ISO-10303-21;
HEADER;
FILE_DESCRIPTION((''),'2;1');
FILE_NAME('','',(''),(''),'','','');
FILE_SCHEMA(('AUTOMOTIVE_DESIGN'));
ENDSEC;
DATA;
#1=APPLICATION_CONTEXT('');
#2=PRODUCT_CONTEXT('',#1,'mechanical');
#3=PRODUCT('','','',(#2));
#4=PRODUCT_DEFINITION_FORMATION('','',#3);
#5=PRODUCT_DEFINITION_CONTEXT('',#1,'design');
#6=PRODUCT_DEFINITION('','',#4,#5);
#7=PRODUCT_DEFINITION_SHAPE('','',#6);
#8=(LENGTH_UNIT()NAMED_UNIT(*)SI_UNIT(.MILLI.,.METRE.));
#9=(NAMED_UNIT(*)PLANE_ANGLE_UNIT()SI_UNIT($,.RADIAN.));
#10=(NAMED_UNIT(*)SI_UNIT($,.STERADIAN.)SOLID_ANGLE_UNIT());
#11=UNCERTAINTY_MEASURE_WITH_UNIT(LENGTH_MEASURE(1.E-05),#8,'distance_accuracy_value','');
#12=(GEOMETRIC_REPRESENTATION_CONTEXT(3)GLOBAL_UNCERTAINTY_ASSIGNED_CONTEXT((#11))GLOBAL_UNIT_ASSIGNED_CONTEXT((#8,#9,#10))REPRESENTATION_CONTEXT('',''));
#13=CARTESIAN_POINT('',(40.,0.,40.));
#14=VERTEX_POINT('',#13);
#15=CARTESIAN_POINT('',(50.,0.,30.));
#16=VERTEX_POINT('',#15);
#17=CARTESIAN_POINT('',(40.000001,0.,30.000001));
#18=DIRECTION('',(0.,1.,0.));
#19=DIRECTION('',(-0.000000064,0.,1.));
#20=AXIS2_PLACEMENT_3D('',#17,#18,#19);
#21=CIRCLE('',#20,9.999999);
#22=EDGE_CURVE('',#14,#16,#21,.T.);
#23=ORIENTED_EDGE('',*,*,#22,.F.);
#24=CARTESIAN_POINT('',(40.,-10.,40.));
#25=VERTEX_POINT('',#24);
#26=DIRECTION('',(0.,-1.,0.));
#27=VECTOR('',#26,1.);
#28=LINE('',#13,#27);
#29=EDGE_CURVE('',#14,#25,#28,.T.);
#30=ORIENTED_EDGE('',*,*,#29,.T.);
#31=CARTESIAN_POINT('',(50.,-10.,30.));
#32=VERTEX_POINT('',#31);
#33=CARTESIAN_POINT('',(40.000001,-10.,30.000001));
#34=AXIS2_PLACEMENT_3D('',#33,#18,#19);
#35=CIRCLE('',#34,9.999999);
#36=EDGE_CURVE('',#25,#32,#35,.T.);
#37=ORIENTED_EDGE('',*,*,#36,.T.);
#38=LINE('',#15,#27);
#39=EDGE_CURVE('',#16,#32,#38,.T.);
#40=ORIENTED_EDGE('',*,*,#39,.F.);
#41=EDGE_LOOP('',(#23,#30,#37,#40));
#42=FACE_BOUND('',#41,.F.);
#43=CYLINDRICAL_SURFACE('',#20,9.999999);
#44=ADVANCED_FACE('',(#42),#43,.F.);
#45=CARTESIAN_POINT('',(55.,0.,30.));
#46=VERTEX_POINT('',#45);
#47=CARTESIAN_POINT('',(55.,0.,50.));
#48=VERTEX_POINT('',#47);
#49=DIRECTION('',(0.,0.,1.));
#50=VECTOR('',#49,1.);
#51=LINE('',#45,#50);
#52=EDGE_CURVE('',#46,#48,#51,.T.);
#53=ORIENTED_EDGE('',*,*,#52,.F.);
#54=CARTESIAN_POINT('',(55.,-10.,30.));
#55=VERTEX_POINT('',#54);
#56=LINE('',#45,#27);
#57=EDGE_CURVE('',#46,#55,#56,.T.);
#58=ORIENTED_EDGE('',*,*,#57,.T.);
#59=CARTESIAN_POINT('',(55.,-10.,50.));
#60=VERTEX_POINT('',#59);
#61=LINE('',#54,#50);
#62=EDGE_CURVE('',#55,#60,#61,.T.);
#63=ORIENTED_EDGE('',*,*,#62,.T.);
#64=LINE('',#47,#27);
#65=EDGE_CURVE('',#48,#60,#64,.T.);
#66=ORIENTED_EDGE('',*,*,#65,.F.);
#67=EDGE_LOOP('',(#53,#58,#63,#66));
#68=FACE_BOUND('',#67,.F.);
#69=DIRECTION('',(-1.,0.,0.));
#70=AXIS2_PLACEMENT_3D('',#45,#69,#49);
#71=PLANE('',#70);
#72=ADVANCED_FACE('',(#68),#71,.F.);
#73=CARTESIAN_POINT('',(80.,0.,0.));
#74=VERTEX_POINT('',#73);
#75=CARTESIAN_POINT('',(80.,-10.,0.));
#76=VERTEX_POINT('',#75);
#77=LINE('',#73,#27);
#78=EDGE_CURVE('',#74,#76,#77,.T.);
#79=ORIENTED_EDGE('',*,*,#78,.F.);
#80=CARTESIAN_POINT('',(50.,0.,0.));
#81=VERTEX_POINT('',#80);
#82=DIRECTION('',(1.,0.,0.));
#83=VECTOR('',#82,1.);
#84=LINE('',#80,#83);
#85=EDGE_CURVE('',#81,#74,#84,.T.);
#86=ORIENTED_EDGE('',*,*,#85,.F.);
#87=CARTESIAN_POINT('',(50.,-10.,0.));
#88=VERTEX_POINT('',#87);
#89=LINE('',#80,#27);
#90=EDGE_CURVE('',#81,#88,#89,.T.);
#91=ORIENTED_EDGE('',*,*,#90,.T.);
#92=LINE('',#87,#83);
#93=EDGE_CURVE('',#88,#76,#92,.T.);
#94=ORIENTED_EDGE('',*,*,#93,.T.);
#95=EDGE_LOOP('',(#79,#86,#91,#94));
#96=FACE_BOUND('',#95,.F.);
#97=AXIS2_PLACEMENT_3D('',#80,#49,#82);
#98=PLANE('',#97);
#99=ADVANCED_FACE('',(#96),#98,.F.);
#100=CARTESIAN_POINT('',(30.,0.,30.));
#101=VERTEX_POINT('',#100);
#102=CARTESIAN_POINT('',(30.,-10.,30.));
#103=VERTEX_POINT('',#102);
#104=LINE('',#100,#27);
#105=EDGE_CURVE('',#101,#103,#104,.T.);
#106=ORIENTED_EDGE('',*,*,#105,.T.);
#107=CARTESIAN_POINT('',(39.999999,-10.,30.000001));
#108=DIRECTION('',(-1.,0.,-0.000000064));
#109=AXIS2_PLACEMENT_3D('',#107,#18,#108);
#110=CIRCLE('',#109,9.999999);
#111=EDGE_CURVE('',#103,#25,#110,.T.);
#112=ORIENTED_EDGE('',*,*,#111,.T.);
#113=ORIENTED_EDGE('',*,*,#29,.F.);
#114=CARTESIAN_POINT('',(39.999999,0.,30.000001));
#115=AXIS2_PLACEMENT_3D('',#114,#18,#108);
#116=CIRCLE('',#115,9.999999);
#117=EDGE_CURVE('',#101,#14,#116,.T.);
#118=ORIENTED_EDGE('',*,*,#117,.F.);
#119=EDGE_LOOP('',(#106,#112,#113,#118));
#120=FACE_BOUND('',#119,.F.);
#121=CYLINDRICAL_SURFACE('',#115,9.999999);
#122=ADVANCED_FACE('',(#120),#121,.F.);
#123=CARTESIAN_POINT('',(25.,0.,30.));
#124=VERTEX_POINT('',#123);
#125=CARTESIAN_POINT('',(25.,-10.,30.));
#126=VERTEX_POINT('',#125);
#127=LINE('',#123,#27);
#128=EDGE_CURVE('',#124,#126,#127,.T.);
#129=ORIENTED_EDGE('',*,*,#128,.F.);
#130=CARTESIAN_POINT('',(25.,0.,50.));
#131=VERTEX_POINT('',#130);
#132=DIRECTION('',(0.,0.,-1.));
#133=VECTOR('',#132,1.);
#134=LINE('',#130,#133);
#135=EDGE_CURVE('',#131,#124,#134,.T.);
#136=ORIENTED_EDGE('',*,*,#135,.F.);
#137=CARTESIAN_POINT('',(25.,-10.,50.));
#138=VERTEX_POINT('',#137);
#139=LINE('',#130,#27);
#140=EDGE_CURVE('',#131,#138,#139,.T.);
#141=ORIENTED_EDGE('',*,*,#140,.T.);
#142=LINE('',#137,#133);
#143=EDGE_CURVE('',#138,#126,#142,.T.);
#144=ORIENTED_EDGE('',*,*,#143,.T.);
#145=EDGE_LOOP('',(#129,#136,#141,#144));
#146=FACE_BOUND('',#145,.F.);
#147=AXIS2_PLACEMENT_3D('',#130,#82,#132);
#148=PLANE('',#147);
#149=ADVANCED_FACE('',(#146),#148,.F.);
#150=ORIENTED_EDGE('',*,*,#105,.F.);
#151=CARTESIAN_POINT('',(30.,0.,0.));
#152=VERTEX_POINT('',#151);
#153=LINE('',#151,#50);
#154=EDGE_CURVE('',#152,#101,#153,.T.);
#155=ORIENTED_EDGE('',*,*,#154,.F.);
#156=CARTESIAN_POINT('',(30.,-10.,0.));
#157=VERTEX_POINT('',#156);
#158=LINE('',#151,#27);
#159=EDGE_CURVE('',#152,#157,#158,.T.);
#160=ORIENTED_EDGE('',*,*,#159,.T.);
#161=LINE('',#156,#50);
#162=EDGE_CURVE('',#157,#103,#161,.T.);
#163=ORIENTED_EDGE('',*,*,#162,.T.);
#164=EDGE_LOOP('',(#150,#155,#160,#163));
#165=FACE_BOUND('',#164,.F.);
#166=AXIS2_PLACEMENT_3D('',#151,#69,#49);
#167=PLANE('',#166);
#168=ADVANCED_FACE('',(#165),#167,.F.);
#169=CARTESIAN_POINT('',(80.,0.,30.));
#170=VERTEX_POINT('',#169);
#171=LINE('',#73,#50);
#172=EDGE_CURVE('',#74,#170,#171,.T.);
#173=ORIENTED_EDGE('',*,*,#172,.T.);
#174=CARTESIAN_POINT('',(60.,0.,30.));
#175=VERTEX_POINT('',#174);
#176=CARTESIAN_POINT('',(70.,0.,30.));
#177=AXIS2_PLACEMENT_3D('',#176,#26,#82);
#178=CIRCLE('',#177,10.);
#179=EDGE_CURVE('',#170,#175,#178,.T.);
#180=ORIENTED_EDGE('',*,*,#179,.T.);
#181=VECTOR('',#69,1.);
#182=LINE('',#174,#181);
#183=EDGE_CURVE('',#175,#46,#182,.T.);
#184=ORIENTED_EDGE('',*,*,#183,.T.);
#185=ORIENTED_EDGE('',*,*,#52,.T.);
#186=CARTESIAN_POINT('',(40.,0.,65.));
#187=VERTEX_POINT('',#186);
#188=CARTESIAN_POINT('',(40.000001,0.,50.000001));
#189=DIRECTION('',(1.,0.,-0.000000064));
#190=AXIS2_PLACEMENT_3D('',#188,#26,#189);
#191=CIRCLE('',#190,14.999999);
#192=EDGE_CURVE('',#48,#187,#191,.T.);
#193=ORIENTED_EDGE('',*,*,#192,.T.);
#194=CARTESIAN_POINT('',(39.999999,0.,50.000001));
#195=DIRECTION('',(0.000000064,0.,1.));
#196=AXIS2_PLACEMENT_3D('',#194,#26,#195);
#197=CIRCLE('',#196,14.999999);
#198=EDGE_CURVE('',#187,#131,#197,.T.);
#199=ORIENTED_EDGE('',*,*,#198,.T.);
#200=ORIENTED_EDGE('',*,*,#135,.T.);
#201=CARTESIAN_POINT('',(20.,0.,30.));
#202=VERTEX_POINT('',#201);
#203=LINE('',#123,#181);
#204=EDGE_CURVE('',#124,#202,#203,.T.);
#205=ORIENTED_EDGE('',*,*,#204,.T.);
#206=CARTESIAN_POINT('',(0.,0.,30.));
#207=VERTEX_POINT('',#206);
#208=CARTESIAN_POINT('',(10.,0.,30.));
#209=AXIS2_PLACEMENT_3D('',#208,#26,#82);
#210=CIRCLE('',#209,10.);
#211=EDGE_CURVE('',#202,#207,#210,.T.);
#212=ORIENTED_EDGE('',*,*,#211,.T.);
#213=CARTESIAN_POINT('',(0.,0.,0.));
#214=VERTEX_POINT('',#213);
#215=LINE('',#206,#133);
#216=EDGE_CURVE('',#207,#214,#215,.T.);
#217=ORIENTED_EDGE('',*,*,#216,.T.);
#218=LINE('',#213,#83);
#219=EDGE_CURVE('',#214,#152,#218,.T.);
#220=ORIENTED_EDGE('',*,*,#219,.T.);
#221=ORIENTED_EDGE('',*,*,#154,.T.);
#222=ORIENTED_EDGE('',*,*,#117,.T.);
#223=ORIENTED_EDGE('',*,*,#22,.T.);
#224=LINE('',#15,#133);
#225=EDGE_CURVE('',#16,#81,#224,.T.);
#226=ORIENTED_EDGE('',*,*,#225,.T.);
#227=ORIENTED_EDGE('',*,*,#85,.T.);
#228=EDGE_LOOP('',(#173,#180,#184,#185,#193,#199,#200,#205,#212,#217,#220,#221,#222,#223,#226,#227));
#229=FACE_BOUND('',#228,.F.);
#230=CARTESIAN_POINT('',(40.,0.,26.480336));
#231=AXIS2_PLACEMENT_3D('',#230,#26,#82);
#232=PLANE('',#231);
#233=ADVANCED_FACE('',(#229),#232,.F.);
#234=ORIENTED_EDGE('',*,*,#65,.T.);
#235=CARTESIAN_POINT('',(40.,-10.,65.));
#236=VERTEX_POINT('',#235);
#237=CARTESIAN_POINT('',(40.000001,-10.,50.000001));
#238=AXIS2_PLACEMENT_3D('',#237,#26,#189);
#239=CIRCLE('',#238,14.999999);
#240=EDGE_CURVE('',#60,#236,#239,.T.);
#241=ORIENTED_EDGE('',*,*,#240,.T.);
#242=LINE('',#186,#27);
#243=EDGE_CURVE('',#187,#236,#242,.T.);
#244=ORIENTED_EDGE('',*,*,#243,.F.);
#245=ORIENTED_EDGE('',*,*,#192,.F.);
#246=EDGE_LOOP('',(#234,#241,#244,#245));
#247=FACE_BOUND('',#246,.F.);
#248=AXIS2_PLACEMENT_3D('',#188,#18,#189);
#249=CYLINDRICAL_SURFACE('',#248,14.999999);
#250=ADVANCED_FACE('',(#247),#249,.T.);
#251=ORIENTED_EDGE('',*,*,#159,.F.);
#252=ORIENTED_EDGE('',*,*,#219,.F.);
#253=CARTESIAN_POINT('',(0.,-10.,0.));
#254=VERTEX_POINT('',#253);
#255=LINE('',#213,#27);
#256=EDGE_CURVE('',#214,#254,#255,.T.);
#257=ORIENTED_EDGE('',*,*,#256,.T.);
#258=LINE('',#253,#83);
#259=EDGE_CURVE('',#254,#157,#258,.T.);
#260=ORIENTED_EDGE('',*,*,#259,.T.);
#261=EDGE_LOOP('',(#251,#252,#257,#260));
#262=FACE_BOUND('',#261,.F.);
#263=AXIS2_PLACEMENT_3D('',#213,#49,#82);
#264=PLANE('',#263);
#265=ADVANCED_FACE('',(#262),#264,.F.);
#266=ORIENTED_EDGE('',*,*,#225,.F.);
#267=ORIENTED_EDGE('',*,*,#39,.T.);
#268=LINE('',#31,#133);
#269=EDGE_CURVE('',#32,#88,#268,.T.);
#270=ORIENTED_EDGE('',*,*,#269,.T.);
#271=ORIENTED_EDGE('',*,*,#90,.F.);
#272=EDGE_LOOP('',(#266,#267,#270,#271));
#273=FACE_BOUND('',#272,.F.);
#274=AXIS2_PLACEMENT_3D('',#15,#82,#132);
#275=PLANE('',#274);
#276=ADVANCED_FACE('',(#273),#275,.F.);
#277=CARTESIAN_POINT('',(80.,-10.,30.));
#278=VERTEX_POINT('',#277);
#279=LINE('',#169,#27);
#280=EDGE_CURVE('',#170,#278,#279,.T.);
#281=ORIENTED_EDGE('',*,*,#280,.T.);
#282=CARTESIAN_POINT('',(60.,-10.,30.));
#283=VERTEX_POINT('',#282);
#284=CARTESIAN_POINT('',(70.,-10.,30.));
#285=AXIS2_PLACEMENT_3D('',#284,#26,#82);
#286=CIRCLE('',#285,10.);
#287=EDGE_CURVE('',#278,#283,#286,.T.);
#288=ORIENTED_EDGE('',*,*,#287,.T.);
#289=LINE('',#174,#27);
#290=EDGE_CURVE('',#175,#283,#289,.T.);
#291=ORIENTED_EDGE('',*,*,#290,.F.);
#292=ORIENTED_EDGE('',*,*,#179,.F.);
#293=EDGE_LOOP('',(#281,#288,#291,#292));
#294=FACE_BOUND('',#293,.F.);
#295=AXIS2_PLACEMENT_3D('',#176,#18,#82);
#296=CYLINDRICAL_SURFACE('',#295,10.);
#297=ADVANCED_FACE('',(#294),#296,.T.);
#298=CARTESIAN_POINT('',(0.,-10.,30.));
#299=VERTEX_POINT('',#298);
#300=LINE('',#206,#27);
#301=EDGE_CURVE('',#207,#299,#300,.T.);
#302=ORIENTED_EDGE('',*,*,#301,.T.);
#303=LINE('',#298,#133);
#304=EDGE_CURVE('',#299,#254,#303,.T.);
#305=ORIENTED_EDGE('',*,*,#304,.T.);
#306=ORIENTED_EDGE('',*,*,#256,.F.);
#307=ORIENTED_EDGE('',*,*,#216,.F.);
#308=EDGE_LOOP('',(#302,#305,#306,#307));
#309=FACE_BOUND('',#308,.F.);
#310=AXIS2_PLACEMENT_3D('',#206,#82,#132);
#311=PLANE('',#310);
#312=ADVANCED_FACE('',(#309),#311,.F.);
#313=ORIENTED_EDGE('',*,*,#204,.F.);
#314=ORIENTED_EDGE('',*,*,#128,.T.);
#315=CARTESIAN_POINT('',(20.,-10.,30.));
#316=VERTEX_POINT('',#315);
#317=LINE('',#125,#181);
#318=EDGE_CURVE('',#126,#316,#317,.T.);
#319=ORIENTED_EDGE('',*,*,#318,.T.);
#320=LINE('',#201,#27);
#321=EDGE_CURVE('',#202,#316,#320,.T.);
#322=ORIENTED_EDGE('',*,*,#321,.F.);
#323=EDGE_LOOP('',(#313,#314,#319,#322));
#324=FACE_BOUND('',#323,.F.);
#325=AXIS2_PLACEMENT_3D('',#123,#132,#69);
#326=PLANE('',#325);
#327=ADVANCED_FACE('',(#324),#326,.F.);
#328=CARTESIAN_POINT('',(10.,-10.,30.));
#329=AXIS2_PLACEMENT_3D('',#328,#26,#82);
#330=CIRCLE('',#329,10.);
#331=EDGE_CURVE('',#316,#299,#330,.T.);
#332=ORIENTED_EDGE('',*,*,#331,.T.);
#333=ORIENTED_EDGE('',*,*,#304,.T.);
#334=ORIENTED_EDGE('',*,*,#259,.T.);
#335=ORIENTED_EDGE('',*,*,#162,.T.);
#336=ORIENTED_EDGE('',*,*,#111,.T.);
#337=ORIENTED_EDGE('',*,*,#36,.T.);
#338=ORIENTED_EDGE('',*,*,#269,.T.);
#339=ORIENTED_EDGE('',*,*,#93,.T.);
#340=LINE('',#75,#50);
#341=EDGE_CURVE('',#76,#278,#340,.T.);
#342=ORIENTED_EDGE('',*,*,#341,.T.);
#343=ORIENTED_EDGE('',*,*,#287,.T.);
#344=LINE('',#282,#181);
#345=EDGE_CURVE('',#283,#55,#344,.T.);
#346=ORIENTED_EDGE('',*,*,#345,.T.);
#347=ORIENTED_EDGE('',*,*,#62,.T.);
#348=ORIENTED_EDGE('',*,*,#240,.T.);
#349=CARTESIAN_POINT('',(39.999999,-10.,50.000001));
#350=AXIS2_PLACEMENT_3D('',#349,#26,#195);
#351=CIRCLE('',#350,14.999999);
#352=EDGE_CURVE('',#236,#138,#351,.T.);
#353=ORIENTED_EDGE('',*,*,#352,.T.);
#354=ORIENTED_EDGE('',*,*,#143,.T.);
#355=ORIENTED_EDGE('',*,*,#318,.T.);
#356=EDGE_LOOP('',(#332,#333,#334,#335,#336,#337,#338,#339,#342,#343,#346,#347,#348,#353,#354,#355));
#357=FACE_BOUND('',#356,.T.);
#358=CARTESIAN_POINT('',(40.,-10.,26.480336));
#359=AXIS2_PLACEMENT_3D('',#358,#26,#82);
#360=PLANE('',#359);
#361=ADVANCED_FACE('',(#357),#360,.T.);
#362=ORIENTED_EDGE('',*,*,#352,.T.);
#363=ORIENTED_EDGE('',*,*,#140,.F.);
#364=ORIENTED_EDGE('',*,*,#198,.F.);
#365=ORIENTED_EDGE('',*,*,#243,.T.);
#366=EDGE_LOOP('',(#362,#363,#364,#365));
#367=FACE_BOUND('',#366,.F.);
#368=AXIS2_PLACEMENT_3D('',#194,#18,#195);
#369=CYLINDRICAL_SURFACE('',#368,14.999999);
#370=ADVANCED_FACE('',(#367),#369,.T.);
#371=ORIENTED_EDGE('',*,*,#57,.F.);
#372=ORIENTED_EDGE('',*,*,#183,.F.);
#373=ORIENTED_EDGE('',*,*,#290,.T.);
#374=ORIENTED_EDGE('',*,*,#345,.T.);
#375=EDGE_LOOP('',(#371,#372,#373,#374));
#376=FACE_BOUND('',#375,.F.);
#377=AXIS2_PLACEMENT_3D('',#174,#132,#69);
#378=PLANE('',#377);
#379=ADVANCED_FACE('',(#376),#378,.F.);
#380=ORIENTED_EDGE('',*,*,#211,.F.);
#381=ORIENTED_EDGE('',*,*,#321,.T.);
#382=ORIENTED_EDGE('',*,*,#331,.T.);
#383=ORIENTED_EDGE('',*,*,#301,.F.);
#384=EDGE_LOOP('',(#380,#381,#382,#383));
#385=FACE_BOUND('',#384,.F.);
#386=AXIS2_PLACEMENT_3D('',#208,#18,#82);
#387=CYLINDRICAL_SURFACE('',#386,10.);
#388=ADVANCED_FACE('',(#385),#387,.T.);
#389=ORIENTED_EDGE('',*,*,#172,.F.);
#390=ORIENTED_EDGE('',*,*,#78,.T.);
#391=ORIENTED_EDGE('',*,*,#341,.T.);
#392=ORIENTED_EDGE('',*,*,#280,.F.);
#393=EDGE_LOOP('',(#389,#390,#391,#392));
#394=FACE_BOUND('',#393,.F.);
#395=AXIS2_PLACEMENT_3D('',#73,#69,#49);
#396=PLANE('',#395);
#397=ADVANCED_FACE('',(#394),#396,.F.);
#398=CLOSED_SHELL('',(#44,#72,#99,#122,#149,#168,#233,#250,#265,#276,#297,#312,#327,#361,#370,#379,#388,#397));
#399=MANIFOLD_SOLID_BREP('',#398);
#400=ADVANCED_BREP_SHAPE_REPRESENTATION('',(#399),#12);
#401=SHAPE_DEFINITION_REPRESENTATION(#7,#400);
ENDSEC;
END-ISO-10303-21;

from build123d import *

# Parameters (mm, degrees)
F1_DEPTH = 10


with BuildPart() as f1:
    # F0 (on Front) → F1 (new body)
    with BuildSketch(Plane.XZ):
        with BuildLine():
            Line((0, 30), (0, 0))
            Line((0, 0), (30, 0))
            Line((30, 0), (30, 30))
            ThreePointArc((30, 30), (32.928932, 37.071068), (40, 40))
            ThreePointArc((40, 40), (47.071068, 37.071068), (50, 30))
            Line((50, 30), (50, 0))
            Line((50, 0), (80, 0))
            Line((80, 0), (80, 30))
            ThreePointArc((80, 30), (70, 40), (60, 30))
            Line((60, 30), (55, 30))
            Line((55, 30), (55, 50))
            ThreePointArc((55, 50), (50.606602, 60.606602), (40, 65))
            ThreePointArc((40, 65), (29.393398, 60.606602), (25, 50))
            Line((25, 50), (25, 30))
            Line((25, 30), (20, 30))
            ThreePointArc((20, 30), (10, 40), (0, 30))
        make_face()
    extrude(amount=F1_DEPTH)


solid = f1.part
